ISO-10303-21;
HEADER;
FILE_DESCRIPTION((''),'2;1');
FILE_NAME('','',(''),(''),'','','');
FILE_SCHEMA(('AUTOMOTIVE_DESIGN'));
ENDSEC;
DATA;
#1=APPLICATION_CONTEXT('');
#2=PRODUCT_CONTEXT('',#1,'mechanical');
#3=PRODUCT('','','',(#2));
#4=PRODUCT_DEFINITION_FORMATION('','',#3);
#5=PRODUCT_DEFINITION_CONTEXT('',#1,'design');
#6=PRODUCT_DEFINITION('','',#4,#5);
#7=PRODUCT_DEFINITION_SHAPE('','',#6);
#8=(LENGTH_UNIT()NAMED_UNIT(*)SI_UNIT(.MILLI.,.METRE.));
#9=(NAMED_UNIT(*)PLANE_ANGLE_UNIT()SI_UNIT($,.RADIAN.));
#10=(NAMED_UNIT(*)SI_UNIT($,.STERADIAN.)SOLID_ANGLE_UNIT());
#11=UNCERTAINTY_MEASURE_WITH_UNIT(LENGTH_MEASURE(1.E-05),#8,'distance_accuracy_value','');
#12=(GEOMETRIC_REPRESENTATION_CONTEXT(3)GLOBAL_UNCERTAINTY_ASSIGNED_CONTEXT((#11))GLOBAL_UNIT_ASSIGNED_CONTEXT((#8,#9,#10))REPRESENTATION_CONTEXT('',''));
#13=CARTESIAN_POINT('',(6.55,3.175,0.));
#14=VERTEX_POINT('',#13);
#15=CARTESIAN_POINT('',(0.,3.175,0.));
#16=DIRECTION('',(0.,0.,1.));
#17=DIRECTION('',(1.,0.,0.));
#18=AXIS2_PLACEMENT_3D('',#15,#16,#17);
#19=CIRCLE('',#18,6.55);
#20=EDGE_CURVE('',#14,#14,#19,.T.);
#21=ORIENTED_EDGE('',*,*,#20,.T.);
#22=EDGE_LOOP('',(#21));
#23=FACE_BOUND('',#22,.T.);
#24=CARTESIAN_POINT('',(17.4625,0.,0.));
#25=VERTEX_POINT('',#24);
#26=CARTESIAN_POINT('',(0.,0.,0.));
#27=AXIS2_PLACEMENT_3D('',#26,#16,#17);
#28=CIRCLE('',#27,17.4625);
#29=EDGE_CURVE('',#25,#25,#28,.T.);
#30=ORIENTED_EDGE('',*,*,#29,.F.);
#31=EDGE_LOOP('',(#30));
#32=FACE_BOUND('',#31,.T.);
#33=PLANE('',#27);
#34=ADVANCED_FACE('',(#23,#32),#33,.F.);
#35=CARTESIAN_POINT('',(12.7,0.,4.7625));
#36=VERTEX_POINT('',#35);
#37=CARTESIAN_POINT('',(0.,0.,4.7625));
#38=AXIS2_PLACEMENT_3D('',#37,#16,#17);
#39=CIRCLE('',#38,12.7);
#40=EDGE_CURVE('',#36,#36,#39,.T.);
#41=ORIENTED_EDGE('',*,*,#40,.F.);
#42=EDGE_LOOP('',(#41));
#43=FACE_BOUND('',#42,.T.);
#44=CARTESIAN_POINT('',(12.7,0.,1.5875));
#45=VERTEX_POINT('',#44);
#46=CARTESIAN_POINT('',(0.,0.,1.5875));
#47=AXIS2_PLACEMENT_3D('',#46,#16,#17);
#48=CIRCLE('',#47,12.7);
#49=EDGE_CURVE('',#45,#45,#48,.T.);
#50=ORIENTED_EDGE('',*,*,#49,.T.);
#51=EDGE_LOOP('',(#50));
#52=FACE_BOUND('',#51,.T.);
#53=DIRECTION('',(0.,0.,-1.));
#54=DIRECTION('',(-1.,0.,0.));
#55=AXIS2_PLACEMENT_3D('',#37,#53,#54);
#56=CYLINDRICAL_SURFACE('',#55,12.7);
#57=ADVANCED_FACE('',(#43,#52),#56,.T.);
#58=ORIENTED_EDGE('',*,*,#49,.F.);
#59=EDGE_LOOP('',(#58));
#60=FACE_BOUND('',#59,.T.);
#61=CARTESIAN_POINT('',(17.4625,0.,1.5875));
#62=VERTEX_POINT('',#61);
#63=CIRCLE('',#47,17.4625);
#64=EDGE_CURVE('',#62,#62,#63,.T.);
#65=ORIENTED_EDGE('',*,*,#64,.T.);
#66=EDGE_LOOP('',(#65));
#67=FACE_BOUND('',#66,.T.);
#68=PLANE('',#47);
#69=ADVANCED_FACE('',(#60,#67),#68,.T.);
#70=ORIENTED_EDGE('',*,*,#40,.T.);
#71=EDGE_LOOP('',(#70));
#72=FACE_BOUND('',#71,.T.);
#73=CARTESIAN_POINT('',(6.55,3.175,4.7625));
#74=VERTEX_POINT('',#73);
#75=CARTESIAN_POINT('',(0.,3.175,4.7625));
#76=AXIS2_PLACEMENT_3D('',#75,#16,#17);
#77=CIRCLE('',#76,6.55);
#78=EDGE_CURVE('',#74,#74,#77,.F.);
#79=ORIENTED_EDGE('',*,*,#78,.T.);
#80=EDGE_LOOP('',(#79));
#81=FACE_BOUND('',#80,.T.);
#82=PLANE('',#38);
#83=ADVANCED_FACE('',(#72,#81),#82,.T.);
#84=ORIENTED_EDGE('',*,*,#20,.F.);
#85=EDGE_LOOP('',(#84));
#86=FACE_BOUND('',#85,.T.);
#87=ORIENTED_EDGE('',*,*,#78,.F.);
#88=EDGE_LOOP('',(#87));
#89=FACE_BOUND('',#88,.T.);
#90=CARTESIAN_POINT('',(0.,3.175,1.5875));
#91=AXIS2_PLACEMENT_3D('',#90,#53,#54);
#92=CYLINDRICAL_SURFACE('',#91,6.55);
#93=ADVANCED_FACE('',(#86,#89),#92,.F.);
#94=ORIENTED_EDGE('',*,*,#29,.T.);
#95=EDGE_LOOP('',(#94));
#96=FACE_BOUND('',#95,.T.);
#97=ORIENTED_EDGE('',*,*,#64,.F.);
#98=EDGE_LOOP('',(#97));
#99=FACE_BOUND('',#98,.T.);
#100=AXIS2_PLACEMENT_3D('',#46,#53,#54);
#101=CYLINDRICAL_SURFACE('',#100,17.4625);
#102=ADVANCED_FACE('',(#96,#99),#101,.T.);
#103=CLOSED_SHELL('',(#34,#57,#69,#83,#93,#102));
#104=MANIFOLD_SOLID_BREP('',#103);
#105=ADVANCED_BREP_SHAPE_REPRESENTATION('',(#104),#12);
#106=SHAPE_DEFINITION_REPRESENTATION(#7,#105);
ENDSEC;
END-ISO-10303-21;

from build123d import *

# Parameters (mm, degrees)
SKETCH1_R           = 17.4625
SKETCH1_R_2         = 6.55
BOSS_EXTRUDE1_DEPTH = 1.5875
SKETCH4_R           = 12.7
SKETCH4_R_2         = 6.55
BOSS_EXTRUDE3_DEPTH = 3.175


with BuildPart() as part:
    # Sketch1 → Boss-Extrude1 (new body)
    with BuildSketch(Plane.XY):
        Circle(SKETCH1_R)
        with Locations((0, 3.175)):
            Circle(SKETCH1_R_2, mode=Mode.SUBTRACT)
    extrude(amount=BOSS_EXTRUDE1_DEPTH)

    # Sketch4 → Boss-Extrude3 (add)
    with BuildSketch(Plane.XY.offset(1.5875)):
        Circle(SKETCH4_R)
        with Locations((0, 3.175)):
            Circle(SKETCH4_R_2, mode=Mode.SUBTRACT)
    extrude(amount=BOSS_EXTRUDE3_DEPTH)


solid = part.part
